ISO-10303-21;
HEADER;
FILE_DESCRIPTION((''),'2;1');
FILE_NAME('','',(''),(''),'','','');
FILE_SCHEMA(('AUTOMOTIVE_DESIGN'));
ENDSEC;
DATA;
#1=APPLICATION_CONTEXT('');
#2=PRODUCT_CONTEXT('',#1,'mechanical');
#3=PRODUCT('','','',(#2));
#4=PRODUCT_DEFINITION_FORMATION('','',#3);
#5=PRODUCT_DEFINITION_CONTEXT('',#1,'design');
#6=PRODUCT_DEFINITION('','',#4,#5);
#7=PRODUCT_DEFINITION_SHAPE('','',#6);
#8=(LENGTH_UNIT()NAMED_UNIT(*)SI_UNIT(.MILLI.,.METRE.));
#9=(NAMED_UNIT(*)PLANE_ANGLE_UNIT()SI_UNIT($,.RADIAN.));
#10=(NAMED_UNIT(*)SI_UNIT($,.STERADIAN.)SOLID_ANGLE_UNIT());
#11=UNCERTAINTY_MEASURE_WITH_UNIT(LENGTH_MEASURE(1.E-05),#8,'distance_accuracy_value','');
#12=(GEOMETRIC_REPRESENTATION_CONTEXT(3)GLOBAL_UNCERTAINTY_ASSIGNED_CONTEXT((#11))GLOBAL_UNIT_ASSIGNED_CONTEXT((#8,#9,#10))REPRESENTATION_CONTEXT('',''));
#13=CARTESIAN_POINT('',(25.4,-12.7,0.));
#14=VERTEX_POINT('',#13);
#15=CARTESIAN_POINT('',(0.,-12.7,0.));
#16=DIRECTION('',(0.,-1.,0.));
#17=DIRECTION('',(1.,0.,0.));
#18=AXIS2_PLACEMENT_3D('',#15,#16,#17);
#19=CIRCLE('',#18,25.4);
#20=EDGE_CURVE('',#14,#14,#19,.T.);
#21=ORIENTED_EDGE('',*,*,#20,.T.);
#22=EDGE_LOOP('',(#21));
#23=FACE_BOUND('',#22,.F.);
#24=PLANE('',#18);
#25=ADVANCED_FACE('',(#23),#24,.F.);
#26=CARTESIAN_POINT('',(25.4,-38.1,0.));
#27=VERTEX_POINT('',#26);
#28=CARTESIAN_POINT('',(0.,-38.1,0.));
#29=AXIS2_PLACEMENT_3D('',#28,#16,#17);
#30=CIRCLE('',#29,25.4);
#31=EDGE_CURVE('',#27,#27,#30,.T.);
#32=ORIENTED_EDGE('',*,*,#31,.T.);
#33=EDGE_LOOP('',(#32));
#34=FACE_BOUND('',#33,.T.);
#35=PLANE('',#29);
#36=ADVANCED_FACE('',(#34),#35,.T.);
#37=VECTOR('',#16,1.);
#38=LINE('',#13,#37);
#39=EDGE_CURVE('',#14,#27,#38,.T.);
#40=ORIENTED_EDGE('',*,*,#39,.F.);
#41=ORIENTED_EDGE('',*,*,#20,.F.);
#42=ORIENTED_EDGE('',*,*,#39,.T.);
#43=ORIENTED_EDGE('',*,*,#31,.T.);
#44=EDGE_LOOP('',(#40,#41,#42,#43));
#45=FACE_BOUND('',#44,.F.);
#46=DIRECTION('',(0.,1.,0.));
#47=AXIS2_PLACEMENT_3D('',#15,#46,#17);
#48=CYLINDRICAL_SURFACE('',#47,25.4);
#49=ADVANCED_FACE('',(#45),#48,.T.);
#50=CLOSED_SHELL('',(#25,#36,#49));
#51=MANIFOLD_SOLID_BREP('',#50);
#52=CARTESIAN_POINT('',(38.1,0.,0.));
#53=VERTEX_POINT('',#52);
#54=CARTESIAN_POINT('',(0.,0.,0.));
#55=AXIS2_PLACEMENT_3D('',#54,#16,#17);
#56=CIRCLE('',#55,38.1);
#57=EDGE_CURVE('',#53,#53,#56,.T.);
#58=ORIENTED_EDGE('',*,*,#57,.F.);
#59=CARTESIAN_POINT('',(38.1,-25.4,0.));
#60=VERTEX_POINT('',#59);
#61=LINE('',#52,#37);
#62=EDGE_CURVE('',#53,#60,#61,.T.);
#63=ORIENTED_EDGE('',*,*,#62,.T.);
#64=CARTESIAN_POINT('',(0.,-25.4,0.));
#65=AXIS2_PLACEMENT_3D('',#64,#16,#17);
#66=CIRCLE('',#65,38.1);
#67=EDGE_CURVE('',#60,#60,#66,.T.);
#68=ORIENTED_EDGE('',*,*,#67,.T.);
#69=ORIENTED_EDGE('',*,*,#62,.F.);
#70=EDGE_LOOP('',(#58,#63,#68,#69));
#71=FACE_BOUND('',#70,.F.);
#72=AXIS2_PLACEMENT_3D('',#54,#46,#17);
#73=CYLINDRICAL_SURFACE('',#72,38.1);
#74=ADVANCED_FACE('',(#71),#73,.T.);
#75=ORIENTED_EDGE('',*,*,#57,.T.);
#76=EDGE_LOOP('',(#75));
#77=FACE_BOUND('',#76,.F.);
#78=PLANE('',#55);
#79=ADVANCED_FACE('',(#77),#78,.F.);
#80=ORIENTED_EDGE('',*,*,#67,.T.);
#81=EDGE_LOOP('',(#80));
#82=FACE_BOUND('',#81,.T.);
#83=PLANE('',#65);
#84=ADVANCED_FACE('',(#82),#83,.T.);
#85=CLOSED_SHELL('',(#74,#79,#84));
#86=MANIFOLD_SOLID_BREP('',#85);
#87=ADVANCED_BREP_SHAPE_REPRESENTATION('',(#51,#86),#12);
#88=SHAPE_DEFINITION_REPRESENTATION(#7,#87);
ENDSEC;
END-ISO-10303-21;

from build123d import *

# Parameters (mm, degrees)
F0_R     = 38.1
F1_DEPTH = 25.4
F2_R     = 25.4
F3_DEPTH = 25.4


with BuildPart() as f1:
    # F0 (on Front) → F1 (new body)
    with BuildSketch(Plane.XZ):
        Circle(F0_R)
    extrude(amount=F1_DEPTH)


with BuildPart() as f3:
    # F2 (on offset) → F3 (new body)
    with BuildSketch(Plane.XZ.offset(12.7)):
        Circle(F2_R)
    extrude(amount=F3_DEPTH)


solid = Compound([f1.part, f3.part])
